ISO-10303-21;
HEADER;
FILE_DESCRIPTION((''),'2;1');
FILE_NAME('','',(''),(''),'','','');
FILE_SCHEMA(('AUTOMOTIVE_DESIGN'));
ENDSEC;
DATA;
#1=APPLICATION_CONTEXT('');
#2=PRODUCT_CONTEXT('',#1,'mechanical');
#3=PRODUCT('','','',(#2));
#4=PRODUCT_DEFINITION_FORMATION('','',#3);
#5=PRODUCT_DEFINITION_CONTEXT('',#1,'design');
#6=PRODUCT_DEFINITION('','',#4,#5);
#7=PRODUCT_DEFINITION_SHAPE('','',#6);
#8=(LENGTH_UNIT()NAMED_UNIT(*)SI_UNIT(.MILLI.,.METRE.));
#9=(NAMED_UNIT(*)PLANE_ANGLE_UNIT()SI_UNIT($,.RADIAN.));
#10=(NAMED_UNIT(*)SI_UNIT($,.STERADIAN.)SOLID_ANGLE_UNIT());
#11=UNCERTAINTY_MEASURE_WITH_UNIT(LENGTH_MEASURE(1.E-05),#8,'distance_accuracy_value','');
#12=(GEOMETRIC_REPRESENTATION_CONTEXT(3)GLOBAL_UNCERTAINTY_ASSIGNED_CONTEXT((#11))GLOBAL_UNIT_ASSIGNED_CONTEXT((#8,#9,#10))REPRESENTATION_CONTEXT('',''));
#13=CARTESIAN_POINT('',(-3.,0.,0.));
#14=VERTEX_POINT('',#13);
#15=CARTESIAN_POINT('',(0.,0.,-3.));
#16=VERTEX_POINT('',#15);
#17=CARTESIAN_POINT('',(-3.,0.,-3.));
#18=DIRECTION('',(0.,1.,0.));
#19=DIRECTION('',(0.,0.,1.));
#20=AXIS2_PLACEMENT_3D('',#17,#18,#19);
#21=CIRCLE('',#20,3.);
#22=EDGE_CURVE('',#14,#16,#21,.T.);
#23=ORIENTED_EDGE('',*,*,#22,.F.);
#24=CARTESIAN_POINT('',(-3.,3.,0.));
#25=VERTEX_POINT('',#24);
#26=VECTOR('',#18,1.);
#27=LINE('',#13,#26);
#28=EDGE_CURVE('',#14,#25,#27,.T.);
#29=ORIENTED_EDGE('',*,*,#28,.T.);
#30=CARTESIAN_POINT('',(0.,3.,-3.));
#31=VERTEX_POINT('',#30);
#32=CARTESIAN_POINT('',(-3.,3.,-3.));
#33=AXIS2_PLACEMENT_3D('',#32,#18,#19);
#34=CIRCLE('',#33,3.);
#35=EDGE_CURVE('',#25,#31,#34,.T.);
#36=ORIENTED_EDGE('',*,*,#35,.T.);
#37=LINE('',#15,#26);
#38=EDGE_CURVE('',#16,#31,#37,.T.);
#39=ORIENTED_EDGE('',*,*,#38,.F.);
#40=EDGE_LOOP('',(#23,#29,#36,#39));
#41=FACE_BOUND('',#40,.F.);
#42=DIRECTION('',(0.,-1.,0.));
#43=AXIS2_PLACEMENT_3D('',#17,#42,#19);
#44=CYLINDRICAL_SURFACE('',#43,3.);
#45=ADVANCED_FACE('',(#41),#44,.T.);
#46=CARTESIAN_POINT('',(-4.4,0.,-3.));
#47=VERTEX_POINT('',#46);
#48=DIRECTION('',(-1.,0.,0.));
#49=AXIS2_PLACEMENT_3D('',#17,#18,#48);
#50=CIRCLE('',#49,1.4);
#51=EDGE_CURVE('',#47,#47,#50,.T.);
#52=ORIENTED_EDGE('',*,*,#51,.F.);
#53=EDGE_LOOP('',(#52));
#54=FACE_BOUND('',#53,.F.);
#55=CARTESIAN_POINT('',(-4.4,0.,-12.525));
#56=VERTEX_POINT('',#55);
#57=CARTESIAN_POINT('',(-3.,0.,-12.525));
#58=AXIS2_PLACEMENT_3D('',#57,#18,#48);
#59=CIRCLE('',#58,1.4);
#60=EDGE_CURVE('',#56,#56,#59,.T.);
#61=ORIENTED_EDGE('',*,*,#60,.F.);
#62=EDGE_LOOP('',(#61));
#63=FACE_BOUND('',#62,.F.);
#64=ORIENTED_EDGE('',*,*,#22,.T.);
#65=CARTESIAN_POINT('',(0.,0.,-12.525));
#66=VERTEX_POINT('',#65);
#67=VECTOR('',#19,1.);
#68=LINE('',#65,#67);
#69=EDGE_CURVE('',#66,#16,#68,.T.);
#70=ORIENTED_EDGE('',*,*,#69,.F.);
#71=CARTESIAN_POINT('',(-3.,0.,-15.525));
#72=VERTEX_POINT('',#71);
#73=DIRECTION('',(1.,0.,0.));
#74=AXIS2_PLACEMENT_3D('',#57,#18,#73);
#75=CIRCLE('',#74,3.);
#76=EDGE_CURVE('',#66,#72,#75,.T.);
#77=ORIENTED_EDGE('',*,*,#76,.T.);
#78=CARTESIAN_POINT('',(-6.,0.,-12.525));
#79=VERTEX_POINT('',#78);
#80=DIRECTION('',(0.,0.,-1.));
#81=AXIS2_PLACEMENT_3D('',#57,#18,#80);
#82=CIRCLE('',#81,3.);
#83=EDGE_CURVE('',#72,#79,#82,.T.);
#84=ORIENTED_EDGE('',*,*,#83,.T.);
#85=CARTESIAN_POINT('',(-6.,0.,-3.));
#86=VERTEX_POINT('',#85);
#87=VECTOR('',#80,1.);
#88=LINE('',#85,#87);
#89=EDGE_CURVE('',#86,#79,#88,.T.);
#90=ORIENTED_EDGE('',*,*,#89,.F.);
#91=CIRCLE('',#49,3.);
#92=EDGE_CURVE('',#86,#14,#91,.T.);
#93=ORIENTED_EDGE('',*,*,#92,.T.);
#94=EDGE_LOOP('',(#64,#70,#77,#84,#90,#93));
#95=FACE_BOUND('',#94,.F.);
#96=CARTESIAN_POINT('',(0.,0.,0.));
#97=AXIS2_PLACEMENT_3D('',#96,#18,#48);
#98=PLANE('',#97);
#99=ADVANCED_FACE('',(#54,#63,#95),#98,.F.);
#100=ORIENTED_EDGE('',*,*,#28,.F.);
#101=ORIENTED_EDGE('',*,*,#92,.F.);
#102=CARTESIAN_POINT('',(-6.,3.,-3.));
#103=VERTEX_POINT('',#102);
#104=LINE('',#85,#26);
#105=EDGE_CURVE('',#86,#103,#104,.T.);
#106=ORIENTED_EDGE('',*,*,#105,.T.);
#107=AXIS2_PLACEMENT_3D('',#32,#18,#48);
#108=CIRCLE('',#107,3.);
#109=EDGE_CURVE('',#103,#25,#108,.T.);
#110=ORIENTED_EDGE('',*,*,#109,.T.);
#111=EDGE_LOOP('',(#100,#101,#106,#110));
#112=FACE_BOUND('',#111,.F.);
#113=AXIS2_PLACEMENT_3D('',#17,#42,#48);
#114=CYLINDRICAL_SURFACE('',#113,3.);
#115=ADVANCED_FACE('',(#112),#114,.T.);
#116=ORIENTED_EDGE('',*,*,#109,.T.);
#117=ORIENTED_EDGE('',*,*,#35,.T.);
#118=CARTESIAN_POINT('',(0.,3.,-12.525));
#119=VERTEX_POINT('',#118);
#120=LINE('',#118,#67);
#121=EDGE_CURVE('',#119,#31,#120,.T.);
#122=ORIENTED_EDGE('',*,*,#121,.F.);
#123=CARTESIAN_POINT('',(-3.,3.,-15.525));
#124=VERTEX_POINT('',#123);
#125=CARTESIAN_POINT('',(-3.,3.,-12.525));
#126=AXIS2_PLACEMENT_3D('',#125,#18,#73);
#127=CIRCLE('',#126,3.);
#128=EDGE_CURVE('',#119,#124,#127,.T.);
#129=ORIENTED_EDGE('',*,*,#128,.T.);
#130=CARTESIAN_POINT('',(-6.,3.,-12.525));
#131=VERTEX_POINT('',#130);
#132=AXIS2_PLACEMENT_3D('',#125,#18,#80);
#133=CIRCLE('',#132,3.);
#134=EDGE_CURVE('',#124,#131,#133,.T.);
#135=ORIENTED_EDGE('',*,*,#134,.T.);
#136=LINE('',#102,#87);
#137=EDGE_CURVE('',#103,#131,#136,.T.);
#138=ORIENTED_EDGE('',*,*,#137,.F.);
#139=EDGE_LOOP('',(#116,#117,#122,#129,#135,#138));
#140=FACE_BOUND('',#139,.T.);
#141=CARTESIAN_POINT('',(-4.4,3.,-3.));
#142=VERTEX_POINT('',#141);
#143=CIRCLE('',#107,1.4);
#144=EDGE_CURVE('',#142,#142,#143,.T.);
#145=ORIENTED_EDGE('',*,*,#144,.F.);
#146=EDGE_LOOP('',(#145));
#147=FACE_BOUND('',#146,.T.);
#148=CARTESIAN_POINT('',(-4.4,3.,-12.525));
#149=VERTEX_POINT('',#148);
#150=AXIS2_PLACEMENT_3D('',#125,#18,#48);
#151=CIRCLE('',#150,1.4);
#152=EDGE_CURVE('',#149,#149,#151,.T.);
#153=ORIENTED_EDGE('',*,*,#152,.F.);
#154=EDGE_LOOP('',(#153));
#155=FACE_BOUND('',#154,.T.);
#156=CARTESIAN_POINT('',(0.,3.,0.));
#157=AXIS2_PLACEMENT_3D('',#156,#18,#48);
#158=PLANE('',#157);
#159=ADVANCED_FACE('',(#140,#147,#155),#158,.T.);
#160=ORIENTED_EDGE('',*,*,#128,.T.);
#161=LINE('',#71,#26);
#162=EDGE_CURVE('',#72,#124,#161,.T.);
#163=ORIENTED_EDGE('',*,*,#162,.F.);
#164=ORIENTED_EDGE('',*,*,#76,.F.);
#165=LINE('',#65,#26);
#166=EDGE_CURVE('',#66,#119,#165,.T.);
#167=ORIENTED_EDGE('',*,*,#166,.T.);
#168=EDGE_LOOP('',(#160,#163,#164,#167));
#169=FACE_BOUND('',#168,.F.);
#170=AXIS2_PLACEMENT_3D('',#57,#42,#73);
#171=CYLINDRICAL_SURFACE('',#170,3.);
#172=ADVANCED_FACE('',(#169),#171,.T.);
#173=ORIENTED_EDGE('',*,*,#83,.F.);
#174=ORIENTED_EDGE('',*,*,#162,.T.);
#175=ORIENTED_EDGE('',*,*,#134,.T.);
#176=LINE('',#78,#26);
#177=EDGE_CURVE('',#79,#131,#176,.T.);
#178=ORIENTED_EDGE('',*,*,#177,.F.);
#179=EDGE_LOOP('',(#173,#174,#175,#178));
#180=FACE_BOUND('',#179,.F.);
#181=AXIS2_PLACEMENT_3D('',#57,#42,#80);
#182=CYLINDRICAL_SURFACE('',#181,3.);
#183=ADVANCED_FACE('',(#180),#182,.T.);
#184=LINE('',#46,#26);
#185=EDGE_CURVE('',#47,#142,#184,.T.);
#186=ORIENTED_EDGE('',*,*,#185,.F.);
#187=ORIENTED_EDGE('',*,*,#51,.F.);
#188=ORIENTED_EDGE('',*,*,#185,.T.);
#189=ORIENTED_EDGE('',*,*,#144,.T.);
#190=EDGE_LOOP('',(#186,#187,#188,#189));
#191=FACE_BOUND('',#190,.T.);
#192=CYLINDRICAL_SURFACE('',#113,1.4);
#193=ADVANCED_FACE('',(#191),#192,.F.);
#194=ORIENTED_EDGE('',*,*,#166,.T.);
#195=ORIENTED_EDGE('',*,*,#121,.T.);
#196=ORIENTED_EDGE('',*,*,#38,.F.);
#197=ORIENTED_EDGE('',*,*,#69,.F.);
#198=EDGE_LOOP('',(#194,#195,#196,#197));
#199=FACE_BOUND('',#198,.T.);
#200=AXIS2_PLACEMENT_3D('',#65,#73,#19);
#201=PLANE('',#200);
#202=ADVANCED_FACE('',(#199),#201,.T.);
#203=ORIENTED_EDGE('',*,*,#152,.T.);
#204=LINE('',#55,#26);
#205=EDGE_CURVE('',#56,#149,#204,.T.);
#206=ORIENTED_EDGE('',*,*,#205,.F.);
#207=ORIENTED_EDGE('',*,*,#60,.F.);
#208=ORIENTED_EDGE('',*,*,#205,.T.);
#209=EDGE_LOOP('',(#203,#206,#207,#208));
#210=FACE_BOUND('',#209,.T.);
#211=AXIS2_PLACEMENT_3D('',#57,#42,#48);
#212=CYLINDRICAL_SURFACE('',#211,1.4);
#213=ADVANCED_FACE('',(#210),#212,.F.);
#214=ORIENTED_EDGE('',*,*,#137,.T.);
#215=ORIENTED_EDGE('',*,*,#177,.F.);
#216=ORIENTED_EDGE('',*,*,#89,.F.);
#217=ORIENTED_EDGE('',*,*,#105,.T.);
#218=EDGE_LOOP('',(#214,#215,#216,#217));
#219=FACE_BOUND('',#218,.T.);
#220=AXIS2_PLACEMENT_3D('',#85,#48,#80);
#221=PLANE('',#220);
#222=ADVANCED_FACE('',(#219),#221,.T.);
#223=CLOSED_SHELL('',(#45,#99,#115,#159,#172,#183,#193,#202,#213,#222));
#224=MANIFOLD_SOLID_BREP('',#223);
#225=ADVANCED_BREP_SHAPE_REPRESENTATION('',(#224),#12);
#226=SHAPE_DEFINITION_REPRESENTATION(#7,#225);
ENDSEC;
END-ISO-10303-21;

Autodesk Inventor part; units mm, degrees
ref_plane "YZ Plane" through (0, 0, 0) normal (1, 0, 0) x (0, 1, 0)
ref_plane "XZ Plane" through (0, 0, 0) normal (0, 1, 0) x (-1, 0, 0)
ref_plane "XY Plane" through (0, 0, 0) normal (0, 0, 1) x (1, 0, 0)
sketch "Sketch1" plane through (0, 0, 0) normal (0, 1, 0) x (-1, 0, 0)
  line L0 (3, 0) -> (3, 0)
  line L1 (6, -3) -> (6, -12.525)
  line L2 (3, -15.525) -> (3, -15.525)
  line L3 (0, -12.525) -> (0, -3)
  arc A0 (6, -3) -> (3, 0) centre (3, -3) ccw
  arc A1 (3, 0) -> (0, -3) centre (3, -3) ccw
  arc A2 (3, -15.525) -> (6, -12.525) centre (3, -12.525) ccw
  arc A3 (0, -12.525) -> (3, -15.525) centre (3, -12.525) ccw
  circle A4 centre (3, -3) radius 1.4
  circle A5 centre (3, -12.525) radius 1.4
  point P0 (0, 0)
  point P1 (6, -15.525)
  point P2 (6, 0)
  point P3 (0, -15.525)
  dimension "d0" = 6
  dimension "d1" = 15.525
  dimension "d2" = 3
  dimension "d3" = 2.8
  dimension "d4" = 2.8
extrude "Extrusion1" add sketch "Sketch1" along normal blind 3
properties part number "tracks_outer"
